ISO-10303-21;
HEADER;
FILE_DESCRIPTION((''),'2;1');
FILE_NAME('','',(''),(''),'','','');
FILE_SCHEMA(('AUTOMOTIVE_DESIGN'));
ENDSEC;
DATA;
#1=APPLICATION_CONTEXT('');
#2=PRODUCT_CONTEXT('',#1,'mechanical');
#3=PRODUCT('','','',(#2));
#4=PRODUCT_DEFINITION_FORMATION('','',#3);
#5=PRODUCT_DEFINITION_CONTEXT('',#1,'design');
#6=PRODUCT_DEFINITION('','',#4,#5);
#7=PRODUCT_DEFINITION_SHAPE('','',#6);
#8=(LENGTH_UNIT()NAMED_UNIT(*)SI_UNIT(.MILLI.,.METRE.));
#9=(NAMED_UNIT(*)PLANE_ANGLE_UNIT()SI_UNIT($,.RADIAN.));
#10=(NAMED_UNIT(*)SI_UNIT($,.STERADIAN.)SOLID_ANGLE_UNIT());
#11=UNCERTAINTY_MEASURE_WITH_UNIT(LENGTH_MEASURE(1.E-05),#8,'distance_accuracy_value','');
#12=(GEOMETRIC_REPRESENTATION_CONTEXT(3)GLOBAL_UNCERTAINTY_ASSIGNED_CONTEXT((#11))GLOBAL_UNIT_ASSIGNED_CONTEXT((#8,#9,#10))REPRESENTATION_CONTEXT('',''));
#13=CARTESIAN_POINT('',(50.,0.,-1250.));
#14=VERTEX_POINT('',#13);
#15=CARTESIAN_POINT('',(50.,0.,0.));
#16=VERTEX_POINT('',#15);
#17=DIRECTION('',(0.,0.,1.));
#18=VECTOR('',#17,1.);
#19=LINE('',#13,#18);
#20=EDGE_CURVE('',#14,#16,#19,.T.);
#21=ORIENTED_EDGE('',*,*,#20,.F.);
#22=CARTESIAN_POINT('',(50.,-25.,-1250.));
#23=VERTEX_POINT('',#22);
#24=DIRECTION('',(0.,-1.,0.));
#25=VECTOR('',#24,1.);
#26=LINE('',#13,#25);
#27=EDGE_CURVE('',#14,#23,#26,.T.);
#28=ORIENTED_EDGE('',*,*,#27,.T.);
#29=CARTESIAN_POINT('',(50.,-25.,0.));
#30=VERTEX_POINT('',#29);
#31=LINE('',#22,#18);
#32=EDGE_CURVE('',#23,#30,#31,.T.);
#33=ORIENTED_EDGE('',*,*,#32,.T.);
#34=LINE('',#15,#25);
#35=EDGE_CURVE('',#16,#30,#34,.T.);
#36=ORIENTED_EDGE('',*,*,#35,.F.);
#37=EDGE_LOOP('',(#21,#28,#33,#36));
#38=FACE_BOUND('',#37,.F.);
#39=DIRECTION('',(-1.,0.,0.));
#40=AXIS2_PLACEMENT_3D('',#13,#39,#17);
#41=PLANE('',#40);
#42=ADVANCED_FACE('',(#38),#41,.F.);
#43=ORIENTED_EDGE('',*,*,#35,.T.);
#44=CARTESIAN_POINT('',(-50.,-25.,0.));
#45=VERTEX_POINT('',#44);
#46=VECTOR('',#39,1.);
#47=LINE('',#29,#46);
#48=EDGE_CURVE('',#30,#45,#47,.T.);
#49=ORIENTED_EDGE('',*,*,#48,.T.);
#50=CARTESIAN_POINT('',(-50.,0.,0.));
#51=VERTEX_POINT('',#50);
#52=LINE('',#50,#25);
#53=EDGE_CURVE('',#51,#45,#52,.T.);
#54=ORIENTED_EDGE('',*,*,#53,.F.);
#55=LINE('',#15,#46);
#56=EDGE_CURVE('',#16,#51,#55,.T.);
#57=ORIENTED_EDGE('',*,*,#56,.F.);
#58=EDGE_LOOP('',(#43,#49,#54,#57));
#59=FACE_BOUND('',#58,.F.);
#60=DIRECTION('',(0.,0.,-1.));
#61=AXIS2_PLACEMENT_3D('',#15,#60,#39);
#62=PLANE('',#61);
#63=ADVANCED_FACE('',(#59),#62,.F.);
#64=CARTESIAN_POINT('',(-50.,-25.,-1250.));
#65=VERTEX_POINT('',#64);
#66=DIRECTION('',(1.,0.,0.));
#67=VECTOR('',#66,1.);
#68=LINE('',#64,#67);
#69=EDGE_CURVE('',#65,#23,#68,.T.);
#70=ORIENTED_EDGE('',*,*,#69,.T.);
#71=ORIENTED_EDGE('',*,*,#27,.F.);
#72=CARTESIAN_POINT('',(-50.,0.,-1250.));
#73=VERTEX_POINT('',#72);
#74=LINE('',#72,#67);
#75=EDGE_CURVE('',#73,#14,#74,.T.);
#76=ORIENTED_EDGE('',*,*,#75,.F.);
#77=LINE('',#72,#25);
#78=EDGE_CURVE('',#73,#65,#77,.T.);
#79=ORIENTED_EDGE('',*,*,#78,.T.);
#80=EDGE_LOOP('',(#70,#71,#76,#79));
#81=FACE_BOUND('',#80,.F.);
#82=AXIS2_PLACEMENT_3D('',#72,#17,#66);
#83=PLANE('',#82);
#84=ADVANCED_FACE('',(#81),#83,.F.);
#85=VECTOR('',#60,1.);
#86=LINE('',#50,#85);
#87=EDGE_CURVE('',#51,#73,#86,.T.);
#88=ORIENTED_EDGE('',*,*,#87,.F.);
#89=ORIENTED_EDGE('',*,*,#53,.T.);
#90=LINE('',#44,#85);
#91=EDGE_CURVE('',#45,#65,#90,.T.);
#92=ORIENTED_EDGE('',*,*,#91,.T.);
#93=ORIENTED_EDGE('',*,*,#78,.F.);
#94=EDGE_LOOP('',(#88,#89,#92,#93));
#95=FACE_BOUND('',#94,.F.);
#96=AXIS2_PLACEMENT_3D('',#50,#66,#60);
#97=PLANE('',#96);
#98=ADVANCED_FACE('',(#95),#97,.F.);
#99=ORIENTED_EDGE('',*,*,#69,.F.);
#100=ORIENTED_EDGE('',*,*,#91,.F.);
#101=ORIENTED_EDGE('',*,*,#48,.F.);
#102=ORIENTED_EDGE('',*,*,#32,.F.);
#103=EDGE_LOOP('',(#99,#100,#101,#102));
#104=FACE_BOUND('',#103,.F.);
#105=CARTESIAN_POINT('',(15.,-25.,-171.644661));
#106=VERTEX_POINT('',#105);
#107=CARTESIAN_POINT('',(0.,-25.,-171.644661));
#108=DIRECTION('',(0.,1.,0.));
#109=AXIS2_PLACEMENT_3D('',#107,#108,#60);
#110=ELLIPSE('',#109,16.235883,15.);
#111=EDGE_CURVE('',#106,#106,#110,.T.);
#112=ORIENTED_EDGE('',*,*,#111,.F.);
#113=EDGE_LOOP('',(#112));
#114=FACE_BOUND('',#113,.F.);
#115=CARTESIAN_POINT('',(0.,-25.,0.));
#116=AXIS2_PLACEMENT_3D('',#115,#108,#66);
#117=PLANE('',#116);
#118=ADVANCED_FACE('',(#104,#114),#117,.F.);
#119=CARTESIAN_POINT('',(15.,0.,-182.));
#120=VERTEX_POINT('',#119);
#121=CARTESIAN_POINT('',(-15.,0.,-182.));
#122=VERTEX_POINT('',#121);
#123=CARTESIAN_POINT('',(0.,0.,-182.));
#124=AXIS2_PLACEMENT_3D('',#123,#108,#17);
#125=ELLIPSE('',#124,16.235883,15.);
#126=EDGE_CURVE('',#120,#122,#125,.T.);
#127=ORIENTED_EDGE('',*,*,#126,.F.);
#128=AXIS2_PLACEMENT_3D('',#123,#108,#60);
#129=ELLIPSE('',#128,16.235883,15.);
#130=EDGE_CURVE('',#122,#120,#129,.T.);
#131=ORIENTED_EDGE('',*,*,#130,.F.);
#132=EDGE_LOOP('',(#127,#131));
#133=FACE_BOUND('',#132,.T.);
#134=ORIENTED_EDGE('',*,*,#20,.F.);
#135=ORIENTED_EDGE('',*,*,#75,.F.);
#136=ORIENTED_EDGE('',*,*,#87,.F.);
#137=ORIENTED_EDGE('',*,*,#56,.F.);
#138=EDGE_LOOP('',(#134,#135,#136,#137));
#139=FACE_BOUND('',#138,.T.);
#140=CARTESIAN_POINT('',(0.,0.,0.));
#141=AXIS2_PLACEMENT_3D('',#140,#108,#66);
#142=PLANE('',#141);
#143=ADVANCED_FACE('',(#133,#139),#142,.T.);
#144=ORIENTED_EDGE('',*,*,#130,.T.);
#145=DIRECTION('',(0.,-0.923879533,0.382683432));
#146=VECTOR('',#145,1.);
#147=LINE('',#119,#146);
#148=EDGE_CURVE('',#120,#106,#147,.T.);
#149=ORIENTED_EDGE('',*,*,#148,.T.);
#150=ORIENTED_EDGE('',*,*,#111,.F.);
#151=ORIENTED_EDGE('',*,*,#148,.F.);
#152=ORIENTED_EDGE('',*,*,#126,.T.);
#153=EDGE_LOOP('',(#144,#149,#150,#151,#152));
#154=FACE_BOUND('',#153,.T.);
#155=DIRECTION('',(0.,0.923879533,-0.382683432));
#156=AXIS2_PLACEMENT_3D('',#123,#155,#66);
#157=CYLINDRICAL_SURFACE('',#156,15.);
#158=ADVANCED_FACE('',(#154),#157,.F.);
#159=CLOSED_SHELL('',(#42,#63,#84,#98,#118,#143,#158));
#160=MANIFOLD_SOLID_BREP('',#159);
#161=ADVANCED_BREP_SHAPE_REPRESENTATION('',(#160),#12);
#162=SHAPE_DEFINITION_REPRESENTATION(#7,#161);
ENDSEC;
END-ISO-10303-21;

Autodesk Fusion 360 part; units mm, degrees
sketch "Sketch4" plane through (0, 0, 0) normal (0, 1, 0) x (1, 0, 0)
  line L0 (-50, 1250) -> (50, 1250)
  line L1 (50, 1250) -> (50, 0)
  line L2 (50, 0) -> (-50, 0)
  line L3 (-50, 0) -> (-50, 1250)
  line L4 (-50, 130) -> (50, 130) construction
  line L5 (-50, 155) -> (50, 155) construction
  line L6 (-50, 182) -> (50, 182) construction
  line L7 (-50, 402) -> (50, 402) construction
  line L8 (-50, 452) -> (50, 452) construction
  line L9 (-50, 1115) -> (50, 1115) construction
  line L10 (-50, 1165) -> (50, 1165) construction
  line L11 (-20, 402) -> (-20, 452) construction
  line L12 (20, 402) -> (20, 452) construction
  line L13 (0, 0) -> (0, 1250) construction
  dimension "d14" = 1250
  dimension "d15" = 100
  dimension "d16" = 130
  dimension "d17" = 25
  dimension "d18" = 27
  dimension "d19" = 220
  dimension "d20" = 50
  dimension "d21" = 40
  dimension "d22" = 960
  dimension "d23" = 50
extrude "Extrude2" add sketch "Sketch4" against normal blind 25
ref_plane "WorkPlane5" through (0, 0, -182) normal (0, -0.9239, 0.3827) x (1, 0, 0)
sketch "Sketch3" plane through (0, 0, -182) normal (0, -0.9239, 0.3827) x (1, 0, 0)
  circle A0 centre (0, 0) radius 15
  dimension "d9" = 30
extrude "Extrude3" cut sketch "Sketch3" along normal mid plane 80
equation "d26 = 90 deg - 22.5 deg"
